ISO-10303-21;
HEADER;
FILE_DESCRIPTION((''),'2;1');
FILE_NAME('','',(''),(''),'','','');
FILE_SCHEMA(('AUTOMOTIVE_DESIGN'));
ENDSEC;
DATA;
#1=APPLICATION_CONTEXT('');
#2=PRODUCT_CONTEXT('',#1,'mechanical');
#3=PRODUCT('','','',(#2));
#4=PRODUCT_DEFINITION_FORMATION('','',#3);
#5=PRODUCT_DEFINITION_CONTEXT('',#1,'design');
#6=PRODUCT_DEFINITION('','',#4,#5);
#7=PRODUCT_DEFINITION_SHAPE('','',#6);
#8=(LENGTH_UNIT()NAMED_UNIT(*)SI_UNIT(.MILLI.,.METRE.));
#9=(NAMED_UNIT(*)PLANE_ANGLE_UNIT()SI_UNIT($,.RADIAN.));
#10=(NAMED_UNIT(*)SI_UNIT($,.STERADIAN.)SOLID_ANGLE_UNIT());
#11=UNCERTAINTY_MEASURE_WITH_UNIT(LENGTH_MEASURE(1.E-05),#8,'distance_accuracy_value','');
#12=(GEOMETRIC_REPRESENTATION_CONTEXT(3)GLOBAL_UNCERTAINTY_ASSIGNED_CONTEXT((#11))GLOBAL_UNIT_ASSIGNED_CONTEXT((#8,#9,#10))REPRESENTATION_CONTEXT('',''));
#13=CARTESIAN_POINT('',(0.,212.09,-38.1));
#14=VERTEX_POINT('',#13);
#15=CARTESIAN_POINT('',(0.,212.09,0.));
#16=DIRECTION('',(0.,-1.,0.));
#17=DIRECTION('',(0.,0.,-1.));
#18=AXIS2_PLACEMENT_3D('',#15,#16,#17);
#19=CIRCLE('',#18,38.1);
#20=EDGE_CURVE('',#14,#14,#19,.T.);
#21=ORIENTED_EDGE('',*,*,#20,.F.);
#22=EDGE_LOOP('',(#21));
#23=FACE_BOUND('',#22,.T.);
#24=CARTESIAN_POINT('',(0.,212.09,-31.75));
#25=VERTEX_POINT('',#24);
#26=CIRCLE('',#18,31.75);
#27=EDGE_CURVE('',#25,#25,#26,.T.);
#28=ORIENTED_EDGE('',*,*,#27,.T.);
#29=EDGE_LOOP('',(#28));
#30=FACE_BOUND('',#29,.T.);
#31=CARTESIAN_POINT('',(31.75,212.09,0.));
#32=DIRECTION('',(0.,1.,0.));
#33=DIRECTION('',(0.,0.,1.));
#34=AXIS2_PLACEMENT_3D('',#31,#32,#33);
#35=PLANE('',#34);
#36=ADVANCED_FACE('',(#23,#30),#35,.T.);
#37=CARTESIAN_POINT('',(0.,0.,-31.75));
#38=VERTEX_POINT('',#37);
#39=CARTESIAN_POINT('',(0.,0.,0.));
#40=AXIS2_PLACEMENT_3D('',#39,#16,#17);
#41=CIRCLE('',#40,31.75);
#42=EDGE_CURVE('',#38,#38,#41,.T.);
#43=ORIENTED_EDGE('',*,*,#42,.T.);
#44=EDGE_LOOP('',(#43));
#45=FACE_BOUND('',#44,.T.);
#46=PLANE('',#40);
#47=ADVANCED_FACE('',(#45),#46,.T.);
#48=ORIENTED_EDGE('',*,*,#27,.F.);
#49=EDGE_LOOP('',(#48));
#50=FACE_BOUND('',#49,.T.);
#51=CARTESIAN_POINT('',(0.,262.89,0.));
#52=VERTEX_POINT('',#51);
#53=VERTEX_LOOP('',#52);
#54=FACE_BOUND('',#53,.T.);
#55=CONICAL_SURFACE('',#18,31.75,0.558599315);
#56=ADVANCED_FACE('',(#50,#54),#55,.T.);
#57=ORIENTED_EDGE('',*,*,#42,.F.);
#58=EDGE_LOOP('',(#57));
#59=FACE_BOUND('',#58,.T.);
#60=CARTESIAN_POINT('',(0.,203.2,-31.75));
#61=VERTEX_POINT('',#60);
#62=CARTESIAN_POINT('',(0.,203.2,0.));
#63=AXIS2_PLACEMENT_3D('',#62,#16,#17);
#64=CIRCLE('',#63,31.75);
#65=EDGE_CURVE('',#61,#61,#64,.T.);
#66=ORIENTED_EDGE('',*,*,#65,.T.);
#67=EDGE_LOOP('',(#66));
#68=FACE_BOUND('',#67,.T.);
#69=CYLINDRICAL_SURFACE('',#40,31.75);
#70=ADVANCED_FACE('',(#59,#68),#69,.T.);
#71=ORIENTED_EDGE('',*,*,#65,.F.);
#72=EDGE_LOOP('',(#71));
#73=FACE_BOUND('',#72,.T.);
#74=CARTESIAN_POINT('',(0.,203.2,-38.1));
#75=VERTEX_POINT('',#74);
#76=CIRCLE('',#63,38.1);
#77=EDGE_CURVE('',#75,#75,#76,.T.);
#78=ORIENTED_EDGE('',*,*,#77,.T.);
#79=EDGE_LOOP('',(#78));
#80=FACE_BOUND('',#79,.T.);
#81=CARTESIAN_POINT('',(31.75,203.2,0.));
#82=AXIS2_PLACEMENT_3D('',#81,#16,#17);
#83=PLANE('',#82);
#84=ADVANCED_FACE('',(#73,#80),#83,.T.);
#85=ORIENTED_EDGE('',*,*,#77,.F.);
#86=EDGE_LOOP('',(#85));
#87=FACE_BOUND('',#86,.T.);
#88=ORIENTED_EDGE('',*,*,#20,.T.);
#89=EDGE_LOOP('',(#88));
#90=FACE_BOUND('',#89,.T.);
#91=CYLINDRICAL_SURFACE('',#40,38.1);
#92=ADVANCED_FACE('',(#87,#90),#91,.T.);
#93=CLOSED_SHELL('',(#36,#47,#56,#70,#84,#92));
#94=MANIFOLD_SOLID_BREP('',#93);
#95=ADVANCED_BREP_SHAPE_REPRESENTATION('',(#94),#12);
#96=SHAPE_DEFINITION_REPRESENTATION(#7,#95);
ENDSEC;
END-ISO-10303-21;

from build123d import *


with BuildPart() as part:
    # Sketch1 → Revolve1 (revolve)
    with BuildSketch(Plane.XY, mode=Mode.PRIVATE) as revolve1_sk:
        Polygon((31.75, 212.09), (0, 262.89), (0, 212.09), (0, 0), (31.75, 0), (31.75, 203.2), (38.1, 203.2), (38.1, 212.09), align=None)
    revolve(revolve1_sk.sketch.rotate(Axis((0, 0, 0), (0, 1, 0)), 90), axis=Axis((0, 0, 0), (0, 1, 0)))


solid = part.part
